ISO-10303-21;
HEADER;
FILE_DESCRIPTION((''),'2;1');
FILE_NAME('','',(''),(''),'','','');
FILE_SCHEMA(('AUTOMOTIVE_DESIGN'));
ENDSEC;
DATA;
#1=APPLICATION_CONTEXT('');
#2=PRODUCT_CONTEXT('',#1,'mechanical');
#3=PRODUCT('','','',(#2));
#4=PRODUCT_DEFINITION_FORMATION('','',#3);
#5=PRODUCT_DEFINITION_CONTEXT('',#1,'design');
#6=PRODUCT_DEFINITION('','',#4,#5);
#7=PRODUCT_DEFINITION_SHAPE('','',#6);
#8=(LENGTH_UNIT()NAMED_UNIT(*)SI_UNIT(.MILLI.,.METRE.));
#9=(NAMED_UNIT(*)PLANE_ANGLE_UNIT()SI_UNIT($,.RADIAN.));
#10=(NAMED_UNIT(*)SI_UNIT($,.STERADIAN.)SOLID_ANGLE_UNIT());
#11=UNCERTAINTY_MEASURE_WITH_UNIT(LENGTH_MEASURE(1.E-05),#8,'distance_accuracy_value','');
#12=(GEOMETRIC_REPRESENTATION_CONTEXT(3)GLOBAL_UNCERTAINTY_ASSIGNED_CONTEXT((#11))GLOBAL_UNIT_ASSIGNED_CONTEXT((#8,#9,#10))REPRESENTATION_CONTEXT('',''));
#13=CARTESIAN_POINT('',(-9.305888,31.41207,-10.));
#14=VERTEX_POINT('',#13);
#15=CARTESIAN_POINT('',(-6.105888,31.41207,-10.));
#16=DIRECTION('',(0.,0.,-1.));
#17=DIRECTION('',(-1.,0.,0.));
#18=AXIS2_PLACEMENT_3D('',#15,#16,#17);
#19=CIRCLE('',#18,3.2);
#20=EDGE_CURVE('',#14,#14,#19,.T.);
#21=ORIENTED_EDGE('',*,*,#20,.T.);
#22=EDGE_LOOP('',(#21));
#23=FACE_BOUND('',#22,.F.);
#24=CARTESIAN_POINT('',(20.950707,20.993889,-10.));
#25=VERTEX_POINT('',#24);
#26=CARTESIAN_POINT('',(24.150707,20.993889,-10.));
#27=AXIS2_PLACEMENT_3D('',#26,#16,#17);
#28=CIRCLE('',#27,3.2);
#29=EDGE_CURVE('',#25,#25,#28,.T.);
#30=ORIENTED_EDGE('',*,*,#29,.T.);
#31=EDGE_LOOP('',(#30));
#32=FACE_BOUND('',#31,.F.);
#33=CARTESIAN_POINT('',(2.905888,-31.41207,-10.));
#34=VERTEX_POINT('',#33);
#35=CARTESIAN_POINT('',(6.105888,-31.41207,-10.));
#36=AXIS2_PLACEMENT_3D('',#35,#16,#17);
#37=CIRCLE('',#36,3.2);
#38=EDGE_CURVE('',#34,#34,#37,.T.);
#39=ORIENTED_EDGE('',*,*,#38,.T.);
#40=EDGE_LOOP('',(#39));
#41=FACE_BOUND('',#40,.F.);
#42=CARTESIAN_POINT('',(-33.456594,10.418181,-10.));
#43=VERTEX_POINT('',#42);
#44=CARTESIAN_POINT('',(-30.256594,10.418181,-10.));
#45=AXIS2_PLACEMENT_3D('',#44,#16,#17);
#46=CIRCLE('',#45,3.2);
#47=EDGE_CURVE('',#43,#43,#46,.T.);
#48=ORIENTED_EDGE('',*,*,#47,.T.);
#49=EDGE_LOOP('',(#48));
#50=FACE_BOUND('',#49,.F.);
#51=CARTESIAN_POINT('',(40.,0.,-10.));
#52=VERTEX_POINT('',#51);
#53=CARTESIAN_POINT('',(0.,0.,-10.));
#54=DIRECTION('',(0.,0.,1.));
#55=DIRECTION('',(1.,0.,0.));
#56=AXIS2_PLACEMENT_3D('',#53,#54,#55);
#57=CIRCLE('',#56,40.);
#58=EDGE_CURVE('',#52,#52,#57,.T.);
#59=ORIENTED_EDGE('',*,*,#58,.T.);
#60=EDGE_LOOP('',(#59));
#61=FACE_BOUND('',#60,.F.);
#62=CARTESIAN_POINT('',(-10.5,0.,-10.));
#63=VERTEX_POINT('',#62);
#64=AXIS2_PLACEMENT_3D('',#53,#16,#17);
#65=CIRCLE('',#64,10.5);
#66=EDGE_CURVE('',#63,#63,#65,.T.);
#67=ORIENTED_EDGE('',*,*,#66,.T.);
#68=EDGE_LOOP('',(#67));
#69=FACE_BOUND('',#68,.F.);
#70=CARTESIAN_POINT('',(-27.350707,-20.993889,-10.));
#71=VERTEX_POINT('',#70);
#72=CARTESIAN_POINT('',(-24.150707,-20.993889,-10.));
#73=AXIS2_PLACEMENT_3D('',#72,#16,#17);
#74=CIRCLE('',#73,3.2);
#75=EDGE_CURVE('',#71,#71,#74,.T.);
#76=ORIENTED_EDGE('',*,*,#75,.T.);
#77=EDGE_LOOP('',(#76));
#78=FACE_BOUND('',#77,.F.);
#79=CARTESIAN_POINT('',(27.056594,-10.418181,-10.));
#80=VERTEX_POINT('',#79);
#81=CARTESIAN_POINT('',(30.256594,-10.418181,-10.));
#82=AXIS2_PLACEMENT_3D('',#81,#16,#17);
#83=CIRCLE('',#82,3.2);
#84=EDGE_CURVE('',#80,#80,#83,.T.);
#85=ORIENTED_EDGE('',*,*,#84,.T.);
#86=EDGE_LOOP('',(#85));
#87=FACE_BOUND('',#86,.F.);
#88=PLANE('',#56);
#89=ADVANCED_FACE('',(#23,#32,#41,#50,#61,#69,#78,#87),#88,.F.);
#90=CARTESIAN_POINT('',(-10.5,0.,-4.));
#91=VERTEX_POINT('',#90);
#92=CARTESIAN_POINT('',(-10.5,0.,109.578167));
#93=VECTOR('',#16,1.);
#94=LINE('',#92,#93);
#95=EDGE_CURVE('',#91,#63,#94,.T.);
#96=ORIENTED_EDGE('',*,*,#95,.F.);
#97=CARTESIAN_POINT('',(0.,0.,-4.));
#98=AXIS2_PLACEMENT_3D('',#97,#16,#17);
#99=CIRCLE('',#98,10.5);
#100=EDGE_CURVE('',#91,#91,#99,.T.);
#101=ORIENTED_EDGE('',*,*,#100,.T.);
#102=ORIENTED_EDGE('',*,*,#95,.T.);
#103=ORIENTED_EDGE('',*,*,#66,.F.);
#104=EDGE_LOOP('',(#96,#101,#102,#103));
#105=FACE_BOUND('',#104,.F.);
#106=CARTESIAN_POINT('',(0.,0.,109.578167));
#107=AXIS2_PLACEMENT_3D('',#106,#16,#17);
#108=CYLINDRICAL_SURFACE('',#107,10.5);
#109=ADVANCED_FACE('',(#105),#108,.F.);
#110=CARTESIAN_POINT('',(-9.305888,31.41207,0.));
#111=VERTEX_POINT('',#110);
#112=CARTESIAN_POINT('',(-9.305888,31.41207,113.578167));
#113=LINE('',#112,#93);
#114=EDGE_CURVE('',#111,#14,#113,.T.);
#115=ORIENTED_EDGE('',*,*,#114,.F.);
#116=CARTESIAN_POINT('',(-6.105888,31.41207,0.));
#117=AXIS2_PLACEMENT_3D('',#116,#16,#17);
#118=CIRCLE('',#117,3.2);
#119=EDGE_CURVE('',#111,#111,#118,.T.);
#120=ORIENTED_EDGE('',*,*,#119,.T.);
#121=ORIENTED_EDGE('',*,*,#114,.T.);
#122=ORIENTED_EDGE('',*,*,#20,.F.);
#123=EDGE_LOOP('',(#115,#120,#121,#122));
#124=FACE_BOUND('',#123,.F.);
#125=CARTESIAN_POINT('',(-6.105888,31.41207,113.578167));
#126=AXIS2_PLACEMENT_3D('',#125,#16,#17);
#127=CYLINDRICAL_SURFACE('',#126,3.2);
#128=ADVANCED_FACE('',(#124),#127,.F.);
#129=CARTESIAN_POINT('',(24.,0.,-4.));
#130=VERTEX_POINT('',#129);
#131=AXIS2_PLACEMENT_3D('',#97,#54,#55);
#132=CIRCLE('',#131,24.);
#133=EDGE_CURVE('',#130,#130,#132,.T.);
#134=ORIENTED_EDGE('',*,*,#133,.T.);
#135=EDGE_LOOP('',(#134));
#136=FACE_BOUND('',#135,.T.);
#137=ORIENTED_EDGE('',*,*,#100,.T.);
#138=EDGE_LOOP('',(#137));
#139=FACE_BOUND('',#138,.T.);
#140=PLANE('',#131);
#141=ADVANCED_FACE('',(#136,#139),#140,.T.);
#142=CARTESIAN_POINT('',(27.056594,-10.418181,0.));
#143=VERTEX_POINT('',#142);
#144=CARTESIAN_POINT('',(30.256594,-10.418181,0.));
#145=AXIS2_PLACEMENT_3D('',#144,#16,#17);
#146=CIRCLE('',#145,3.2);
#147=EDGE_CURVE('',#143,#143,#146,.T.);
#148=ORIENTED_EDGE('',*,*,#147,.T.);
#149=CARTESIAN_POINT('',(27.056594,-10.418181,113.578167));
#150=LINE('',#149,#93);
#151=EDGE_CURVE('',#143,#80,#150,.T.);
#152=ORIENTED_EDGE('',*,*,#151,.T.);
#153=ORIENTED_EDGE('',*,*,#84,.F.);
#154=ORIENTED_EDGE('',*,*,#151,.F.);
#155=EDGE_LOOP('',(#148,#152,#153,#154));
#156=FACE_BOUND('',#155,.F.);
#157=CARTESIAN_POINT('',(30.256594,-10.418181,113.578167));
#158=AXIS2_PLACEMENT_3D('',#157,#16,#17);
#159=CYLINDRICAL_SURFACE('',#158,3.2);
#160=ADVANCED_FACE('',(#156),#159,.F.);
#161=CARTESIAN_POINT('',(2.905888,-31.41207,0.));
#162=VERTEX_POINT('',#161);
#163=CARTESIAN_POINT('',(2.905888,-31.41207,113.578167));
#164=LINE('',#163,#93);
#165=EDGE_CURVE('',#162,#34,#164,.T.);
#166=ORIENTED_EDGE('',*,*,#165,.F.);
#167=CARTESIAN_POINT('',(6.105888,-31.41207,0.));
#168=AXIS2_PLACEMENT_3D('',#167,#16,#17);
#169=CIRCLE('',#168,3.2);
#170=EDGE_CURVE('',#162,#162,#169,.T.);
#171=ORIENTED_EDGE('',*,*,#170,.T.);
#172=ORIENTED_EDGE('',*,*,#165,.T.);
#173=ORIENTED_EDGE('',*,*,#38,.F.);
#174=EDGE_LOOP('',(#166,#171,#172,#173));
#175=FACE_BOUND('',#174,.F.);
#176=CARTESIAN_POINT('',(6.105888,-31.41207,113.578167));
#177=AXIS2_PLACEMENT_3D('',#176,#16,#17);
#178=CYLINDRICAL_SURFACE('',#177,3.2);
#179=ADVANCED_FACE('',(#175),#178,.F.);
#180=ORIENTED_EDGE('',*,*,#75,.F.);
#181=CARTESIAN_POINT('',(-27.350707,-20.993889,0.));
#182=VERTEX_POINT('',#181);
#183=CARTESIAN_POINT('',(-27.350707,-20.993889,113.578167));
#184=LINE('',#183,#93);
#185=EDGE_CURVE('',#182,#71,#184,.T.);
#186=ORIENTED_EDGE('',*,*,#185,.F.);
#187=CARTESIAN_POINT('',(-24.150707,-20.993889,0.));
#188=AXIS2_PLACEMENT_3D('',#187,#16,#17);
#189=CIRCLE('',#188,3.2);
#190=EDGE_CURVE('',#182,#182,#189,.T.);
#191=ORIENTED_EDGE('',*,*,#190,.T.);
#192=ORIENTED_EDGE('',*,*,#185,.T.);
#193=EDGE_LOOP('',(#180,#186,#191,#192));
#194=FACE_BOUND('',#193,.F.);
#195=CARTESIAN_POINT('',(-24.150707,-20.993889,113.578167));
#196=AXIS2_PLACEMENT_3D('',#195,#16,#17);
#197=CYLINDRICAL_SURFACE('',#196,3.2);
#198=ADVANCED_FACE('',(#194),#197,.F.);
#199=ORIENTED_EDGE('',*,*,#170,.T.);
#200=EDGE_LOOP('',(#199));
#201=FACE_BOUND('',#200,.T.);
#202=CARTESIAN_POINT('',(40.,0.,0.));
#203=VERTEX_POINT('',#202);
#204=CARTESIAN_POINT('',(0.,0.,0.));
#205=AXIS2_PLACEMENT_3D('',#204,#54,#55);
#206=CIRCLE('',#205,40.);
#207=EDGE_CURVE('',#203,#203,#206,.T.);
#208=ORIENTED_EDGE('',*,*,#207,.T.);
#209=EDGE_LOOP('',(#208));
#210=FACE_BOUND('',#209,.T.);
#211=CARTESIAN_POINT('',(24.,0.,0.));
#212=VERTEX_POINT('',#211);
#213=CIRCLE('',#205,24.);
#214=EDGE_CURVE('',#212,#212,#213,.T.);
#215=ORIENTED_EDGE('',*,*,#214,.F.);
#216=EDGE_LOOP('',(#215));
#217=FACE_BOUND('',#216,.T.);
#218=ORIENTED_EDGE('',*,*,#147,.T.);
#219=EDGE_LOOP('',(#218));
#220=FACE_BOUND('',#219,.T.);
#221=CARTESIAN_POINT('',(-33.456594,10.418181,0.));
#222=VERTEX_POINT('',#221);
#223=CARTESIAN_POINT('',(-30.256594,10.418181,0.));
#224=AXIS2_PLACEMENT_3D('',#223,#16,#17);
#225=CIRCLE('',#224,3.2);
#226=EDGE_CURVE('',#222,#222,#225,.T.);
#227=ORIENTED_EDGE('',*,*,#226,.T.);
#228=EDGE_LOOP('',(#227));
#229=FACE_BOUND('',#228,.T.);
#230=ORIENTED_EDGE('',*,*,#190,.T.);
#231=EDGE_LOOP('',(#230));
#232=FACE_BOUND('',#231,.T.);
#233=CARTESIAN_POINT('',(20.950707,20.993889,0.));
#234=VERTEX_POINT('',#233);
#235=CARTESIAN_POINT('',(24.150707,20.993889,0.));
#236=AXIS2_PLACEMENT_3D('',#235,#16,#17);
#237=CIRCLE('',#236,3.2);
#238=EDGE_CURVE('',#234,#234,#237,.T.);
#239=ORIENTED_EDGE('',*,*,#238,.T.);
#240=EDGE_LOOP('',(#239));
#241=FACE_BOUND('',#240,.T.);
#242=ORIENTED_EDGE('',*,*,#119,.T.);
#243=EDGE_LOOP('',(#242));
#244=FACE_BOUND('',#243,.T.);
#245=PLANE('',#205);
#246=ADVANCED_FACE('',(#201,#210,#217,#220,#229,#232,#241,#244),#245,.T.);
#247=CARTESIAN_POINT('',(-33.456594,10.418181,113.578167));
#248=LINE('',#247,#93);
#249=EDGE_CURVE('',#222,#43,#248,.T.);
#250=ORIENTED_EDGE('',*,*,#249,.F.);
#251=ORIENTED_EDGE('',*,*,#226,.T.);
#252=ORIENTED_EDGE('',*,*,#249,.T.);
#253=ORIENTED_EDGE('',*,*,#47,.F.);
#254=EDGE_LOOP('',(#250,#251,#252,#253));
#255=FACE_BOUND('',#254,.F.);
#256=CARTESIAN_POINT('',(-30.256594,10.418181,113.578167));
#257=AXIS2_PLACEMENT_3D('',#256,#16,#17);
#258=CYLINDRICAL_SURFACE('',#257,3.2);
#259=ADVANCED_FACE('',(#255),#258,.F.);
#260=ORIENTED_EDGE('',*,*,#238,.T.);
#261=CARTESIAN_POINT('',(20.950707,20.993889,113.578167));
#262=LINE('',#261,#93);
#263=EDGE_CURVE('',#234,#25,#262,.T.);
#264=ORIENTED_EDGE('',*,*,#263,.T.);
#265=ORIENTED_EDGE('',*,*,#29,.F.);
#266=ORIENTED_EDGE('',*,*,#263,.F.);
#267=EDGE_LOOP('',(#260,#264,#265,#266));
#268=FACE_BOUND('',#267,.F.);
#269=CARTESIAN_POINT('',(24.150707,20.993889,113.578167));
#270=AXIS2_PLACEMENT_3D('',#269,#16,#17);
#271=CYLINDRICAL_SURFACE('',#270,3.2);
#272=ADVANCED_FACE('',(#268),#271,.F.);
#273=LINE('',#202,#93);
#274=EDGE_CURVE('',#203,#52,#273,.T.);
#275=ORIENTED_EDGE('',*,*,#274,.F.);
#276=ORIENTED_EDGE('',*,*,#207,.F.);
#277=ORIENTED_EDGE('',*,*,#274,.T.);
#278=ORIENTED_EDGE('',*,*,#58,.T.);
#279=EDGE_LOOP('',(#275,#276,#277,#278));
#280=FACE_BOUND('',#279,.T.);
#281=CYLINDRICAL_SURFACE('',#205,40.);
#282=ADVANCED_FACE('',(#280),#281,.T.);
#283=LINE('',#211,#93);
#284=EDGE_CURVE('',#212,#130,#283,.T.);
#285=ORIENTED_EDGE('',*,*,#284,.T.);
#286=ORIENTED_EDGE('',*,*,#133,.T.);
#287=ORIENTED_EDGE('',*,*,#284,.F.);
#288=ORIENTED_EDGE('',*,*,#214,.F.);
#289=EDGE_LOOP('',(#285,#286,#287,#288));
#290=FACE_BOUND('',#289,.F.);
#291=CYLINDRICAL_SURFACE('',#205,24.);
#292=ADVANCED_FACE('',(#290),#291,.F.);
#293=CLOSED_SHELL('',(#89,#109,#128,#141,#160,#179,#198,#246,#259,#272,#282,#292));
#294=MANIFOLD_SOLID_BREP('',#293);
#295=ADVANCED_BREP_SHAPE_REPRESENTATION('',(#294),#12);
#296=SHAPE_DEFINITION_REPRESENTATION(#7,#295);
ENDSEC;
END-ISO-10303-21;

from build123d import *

# Parameters (mm, degrees)
F0_R          = 40
F1_DEPTH      = 10
F2_R          = 24
F3_DEPTH      = 4
F3_DEPTH_BACK = 10
F6_D          = 21
F7_D          = 6.4


with BuildPart() as f1:
    # F0 (on Top) → F1 (new body)
    with BuildSketch(Plane.XY):
        Circle(F0_R)
    extrude(amount=-F1_DEPTH)

    # F2 (on Top) → F3 (cut, two sides)
    with BuildSketch(Plane.XY) as f3_sk:
        Circle(F2_R)
    extrude(amount=-F3_DEPTH, mode=Mode.SUBTRACT)
    extrude(f3_sk.sketch, amount=F3_DEPTH_BACK, mode=Mode.SUBTRACT)

    # F6 (through all)
    with Locations(Plane.XY.offset(-4)):
        with Locations((0, 0)):
            Hole(F6_D / 2)

    # F7 (through all)
    with Locations(Plane.XY):
        with Locations((-6.105887852, 31.4120698703), (24.1507065671, 20.9938889277), (30.2565944192, -10.4181809426), (6.105887852, -31.4120698703), (-24.1507065671, -20.9938889277), (-30.2565944192, 10.4181809426)):
            Hole(F7_D / 2)


solid = f1.part
